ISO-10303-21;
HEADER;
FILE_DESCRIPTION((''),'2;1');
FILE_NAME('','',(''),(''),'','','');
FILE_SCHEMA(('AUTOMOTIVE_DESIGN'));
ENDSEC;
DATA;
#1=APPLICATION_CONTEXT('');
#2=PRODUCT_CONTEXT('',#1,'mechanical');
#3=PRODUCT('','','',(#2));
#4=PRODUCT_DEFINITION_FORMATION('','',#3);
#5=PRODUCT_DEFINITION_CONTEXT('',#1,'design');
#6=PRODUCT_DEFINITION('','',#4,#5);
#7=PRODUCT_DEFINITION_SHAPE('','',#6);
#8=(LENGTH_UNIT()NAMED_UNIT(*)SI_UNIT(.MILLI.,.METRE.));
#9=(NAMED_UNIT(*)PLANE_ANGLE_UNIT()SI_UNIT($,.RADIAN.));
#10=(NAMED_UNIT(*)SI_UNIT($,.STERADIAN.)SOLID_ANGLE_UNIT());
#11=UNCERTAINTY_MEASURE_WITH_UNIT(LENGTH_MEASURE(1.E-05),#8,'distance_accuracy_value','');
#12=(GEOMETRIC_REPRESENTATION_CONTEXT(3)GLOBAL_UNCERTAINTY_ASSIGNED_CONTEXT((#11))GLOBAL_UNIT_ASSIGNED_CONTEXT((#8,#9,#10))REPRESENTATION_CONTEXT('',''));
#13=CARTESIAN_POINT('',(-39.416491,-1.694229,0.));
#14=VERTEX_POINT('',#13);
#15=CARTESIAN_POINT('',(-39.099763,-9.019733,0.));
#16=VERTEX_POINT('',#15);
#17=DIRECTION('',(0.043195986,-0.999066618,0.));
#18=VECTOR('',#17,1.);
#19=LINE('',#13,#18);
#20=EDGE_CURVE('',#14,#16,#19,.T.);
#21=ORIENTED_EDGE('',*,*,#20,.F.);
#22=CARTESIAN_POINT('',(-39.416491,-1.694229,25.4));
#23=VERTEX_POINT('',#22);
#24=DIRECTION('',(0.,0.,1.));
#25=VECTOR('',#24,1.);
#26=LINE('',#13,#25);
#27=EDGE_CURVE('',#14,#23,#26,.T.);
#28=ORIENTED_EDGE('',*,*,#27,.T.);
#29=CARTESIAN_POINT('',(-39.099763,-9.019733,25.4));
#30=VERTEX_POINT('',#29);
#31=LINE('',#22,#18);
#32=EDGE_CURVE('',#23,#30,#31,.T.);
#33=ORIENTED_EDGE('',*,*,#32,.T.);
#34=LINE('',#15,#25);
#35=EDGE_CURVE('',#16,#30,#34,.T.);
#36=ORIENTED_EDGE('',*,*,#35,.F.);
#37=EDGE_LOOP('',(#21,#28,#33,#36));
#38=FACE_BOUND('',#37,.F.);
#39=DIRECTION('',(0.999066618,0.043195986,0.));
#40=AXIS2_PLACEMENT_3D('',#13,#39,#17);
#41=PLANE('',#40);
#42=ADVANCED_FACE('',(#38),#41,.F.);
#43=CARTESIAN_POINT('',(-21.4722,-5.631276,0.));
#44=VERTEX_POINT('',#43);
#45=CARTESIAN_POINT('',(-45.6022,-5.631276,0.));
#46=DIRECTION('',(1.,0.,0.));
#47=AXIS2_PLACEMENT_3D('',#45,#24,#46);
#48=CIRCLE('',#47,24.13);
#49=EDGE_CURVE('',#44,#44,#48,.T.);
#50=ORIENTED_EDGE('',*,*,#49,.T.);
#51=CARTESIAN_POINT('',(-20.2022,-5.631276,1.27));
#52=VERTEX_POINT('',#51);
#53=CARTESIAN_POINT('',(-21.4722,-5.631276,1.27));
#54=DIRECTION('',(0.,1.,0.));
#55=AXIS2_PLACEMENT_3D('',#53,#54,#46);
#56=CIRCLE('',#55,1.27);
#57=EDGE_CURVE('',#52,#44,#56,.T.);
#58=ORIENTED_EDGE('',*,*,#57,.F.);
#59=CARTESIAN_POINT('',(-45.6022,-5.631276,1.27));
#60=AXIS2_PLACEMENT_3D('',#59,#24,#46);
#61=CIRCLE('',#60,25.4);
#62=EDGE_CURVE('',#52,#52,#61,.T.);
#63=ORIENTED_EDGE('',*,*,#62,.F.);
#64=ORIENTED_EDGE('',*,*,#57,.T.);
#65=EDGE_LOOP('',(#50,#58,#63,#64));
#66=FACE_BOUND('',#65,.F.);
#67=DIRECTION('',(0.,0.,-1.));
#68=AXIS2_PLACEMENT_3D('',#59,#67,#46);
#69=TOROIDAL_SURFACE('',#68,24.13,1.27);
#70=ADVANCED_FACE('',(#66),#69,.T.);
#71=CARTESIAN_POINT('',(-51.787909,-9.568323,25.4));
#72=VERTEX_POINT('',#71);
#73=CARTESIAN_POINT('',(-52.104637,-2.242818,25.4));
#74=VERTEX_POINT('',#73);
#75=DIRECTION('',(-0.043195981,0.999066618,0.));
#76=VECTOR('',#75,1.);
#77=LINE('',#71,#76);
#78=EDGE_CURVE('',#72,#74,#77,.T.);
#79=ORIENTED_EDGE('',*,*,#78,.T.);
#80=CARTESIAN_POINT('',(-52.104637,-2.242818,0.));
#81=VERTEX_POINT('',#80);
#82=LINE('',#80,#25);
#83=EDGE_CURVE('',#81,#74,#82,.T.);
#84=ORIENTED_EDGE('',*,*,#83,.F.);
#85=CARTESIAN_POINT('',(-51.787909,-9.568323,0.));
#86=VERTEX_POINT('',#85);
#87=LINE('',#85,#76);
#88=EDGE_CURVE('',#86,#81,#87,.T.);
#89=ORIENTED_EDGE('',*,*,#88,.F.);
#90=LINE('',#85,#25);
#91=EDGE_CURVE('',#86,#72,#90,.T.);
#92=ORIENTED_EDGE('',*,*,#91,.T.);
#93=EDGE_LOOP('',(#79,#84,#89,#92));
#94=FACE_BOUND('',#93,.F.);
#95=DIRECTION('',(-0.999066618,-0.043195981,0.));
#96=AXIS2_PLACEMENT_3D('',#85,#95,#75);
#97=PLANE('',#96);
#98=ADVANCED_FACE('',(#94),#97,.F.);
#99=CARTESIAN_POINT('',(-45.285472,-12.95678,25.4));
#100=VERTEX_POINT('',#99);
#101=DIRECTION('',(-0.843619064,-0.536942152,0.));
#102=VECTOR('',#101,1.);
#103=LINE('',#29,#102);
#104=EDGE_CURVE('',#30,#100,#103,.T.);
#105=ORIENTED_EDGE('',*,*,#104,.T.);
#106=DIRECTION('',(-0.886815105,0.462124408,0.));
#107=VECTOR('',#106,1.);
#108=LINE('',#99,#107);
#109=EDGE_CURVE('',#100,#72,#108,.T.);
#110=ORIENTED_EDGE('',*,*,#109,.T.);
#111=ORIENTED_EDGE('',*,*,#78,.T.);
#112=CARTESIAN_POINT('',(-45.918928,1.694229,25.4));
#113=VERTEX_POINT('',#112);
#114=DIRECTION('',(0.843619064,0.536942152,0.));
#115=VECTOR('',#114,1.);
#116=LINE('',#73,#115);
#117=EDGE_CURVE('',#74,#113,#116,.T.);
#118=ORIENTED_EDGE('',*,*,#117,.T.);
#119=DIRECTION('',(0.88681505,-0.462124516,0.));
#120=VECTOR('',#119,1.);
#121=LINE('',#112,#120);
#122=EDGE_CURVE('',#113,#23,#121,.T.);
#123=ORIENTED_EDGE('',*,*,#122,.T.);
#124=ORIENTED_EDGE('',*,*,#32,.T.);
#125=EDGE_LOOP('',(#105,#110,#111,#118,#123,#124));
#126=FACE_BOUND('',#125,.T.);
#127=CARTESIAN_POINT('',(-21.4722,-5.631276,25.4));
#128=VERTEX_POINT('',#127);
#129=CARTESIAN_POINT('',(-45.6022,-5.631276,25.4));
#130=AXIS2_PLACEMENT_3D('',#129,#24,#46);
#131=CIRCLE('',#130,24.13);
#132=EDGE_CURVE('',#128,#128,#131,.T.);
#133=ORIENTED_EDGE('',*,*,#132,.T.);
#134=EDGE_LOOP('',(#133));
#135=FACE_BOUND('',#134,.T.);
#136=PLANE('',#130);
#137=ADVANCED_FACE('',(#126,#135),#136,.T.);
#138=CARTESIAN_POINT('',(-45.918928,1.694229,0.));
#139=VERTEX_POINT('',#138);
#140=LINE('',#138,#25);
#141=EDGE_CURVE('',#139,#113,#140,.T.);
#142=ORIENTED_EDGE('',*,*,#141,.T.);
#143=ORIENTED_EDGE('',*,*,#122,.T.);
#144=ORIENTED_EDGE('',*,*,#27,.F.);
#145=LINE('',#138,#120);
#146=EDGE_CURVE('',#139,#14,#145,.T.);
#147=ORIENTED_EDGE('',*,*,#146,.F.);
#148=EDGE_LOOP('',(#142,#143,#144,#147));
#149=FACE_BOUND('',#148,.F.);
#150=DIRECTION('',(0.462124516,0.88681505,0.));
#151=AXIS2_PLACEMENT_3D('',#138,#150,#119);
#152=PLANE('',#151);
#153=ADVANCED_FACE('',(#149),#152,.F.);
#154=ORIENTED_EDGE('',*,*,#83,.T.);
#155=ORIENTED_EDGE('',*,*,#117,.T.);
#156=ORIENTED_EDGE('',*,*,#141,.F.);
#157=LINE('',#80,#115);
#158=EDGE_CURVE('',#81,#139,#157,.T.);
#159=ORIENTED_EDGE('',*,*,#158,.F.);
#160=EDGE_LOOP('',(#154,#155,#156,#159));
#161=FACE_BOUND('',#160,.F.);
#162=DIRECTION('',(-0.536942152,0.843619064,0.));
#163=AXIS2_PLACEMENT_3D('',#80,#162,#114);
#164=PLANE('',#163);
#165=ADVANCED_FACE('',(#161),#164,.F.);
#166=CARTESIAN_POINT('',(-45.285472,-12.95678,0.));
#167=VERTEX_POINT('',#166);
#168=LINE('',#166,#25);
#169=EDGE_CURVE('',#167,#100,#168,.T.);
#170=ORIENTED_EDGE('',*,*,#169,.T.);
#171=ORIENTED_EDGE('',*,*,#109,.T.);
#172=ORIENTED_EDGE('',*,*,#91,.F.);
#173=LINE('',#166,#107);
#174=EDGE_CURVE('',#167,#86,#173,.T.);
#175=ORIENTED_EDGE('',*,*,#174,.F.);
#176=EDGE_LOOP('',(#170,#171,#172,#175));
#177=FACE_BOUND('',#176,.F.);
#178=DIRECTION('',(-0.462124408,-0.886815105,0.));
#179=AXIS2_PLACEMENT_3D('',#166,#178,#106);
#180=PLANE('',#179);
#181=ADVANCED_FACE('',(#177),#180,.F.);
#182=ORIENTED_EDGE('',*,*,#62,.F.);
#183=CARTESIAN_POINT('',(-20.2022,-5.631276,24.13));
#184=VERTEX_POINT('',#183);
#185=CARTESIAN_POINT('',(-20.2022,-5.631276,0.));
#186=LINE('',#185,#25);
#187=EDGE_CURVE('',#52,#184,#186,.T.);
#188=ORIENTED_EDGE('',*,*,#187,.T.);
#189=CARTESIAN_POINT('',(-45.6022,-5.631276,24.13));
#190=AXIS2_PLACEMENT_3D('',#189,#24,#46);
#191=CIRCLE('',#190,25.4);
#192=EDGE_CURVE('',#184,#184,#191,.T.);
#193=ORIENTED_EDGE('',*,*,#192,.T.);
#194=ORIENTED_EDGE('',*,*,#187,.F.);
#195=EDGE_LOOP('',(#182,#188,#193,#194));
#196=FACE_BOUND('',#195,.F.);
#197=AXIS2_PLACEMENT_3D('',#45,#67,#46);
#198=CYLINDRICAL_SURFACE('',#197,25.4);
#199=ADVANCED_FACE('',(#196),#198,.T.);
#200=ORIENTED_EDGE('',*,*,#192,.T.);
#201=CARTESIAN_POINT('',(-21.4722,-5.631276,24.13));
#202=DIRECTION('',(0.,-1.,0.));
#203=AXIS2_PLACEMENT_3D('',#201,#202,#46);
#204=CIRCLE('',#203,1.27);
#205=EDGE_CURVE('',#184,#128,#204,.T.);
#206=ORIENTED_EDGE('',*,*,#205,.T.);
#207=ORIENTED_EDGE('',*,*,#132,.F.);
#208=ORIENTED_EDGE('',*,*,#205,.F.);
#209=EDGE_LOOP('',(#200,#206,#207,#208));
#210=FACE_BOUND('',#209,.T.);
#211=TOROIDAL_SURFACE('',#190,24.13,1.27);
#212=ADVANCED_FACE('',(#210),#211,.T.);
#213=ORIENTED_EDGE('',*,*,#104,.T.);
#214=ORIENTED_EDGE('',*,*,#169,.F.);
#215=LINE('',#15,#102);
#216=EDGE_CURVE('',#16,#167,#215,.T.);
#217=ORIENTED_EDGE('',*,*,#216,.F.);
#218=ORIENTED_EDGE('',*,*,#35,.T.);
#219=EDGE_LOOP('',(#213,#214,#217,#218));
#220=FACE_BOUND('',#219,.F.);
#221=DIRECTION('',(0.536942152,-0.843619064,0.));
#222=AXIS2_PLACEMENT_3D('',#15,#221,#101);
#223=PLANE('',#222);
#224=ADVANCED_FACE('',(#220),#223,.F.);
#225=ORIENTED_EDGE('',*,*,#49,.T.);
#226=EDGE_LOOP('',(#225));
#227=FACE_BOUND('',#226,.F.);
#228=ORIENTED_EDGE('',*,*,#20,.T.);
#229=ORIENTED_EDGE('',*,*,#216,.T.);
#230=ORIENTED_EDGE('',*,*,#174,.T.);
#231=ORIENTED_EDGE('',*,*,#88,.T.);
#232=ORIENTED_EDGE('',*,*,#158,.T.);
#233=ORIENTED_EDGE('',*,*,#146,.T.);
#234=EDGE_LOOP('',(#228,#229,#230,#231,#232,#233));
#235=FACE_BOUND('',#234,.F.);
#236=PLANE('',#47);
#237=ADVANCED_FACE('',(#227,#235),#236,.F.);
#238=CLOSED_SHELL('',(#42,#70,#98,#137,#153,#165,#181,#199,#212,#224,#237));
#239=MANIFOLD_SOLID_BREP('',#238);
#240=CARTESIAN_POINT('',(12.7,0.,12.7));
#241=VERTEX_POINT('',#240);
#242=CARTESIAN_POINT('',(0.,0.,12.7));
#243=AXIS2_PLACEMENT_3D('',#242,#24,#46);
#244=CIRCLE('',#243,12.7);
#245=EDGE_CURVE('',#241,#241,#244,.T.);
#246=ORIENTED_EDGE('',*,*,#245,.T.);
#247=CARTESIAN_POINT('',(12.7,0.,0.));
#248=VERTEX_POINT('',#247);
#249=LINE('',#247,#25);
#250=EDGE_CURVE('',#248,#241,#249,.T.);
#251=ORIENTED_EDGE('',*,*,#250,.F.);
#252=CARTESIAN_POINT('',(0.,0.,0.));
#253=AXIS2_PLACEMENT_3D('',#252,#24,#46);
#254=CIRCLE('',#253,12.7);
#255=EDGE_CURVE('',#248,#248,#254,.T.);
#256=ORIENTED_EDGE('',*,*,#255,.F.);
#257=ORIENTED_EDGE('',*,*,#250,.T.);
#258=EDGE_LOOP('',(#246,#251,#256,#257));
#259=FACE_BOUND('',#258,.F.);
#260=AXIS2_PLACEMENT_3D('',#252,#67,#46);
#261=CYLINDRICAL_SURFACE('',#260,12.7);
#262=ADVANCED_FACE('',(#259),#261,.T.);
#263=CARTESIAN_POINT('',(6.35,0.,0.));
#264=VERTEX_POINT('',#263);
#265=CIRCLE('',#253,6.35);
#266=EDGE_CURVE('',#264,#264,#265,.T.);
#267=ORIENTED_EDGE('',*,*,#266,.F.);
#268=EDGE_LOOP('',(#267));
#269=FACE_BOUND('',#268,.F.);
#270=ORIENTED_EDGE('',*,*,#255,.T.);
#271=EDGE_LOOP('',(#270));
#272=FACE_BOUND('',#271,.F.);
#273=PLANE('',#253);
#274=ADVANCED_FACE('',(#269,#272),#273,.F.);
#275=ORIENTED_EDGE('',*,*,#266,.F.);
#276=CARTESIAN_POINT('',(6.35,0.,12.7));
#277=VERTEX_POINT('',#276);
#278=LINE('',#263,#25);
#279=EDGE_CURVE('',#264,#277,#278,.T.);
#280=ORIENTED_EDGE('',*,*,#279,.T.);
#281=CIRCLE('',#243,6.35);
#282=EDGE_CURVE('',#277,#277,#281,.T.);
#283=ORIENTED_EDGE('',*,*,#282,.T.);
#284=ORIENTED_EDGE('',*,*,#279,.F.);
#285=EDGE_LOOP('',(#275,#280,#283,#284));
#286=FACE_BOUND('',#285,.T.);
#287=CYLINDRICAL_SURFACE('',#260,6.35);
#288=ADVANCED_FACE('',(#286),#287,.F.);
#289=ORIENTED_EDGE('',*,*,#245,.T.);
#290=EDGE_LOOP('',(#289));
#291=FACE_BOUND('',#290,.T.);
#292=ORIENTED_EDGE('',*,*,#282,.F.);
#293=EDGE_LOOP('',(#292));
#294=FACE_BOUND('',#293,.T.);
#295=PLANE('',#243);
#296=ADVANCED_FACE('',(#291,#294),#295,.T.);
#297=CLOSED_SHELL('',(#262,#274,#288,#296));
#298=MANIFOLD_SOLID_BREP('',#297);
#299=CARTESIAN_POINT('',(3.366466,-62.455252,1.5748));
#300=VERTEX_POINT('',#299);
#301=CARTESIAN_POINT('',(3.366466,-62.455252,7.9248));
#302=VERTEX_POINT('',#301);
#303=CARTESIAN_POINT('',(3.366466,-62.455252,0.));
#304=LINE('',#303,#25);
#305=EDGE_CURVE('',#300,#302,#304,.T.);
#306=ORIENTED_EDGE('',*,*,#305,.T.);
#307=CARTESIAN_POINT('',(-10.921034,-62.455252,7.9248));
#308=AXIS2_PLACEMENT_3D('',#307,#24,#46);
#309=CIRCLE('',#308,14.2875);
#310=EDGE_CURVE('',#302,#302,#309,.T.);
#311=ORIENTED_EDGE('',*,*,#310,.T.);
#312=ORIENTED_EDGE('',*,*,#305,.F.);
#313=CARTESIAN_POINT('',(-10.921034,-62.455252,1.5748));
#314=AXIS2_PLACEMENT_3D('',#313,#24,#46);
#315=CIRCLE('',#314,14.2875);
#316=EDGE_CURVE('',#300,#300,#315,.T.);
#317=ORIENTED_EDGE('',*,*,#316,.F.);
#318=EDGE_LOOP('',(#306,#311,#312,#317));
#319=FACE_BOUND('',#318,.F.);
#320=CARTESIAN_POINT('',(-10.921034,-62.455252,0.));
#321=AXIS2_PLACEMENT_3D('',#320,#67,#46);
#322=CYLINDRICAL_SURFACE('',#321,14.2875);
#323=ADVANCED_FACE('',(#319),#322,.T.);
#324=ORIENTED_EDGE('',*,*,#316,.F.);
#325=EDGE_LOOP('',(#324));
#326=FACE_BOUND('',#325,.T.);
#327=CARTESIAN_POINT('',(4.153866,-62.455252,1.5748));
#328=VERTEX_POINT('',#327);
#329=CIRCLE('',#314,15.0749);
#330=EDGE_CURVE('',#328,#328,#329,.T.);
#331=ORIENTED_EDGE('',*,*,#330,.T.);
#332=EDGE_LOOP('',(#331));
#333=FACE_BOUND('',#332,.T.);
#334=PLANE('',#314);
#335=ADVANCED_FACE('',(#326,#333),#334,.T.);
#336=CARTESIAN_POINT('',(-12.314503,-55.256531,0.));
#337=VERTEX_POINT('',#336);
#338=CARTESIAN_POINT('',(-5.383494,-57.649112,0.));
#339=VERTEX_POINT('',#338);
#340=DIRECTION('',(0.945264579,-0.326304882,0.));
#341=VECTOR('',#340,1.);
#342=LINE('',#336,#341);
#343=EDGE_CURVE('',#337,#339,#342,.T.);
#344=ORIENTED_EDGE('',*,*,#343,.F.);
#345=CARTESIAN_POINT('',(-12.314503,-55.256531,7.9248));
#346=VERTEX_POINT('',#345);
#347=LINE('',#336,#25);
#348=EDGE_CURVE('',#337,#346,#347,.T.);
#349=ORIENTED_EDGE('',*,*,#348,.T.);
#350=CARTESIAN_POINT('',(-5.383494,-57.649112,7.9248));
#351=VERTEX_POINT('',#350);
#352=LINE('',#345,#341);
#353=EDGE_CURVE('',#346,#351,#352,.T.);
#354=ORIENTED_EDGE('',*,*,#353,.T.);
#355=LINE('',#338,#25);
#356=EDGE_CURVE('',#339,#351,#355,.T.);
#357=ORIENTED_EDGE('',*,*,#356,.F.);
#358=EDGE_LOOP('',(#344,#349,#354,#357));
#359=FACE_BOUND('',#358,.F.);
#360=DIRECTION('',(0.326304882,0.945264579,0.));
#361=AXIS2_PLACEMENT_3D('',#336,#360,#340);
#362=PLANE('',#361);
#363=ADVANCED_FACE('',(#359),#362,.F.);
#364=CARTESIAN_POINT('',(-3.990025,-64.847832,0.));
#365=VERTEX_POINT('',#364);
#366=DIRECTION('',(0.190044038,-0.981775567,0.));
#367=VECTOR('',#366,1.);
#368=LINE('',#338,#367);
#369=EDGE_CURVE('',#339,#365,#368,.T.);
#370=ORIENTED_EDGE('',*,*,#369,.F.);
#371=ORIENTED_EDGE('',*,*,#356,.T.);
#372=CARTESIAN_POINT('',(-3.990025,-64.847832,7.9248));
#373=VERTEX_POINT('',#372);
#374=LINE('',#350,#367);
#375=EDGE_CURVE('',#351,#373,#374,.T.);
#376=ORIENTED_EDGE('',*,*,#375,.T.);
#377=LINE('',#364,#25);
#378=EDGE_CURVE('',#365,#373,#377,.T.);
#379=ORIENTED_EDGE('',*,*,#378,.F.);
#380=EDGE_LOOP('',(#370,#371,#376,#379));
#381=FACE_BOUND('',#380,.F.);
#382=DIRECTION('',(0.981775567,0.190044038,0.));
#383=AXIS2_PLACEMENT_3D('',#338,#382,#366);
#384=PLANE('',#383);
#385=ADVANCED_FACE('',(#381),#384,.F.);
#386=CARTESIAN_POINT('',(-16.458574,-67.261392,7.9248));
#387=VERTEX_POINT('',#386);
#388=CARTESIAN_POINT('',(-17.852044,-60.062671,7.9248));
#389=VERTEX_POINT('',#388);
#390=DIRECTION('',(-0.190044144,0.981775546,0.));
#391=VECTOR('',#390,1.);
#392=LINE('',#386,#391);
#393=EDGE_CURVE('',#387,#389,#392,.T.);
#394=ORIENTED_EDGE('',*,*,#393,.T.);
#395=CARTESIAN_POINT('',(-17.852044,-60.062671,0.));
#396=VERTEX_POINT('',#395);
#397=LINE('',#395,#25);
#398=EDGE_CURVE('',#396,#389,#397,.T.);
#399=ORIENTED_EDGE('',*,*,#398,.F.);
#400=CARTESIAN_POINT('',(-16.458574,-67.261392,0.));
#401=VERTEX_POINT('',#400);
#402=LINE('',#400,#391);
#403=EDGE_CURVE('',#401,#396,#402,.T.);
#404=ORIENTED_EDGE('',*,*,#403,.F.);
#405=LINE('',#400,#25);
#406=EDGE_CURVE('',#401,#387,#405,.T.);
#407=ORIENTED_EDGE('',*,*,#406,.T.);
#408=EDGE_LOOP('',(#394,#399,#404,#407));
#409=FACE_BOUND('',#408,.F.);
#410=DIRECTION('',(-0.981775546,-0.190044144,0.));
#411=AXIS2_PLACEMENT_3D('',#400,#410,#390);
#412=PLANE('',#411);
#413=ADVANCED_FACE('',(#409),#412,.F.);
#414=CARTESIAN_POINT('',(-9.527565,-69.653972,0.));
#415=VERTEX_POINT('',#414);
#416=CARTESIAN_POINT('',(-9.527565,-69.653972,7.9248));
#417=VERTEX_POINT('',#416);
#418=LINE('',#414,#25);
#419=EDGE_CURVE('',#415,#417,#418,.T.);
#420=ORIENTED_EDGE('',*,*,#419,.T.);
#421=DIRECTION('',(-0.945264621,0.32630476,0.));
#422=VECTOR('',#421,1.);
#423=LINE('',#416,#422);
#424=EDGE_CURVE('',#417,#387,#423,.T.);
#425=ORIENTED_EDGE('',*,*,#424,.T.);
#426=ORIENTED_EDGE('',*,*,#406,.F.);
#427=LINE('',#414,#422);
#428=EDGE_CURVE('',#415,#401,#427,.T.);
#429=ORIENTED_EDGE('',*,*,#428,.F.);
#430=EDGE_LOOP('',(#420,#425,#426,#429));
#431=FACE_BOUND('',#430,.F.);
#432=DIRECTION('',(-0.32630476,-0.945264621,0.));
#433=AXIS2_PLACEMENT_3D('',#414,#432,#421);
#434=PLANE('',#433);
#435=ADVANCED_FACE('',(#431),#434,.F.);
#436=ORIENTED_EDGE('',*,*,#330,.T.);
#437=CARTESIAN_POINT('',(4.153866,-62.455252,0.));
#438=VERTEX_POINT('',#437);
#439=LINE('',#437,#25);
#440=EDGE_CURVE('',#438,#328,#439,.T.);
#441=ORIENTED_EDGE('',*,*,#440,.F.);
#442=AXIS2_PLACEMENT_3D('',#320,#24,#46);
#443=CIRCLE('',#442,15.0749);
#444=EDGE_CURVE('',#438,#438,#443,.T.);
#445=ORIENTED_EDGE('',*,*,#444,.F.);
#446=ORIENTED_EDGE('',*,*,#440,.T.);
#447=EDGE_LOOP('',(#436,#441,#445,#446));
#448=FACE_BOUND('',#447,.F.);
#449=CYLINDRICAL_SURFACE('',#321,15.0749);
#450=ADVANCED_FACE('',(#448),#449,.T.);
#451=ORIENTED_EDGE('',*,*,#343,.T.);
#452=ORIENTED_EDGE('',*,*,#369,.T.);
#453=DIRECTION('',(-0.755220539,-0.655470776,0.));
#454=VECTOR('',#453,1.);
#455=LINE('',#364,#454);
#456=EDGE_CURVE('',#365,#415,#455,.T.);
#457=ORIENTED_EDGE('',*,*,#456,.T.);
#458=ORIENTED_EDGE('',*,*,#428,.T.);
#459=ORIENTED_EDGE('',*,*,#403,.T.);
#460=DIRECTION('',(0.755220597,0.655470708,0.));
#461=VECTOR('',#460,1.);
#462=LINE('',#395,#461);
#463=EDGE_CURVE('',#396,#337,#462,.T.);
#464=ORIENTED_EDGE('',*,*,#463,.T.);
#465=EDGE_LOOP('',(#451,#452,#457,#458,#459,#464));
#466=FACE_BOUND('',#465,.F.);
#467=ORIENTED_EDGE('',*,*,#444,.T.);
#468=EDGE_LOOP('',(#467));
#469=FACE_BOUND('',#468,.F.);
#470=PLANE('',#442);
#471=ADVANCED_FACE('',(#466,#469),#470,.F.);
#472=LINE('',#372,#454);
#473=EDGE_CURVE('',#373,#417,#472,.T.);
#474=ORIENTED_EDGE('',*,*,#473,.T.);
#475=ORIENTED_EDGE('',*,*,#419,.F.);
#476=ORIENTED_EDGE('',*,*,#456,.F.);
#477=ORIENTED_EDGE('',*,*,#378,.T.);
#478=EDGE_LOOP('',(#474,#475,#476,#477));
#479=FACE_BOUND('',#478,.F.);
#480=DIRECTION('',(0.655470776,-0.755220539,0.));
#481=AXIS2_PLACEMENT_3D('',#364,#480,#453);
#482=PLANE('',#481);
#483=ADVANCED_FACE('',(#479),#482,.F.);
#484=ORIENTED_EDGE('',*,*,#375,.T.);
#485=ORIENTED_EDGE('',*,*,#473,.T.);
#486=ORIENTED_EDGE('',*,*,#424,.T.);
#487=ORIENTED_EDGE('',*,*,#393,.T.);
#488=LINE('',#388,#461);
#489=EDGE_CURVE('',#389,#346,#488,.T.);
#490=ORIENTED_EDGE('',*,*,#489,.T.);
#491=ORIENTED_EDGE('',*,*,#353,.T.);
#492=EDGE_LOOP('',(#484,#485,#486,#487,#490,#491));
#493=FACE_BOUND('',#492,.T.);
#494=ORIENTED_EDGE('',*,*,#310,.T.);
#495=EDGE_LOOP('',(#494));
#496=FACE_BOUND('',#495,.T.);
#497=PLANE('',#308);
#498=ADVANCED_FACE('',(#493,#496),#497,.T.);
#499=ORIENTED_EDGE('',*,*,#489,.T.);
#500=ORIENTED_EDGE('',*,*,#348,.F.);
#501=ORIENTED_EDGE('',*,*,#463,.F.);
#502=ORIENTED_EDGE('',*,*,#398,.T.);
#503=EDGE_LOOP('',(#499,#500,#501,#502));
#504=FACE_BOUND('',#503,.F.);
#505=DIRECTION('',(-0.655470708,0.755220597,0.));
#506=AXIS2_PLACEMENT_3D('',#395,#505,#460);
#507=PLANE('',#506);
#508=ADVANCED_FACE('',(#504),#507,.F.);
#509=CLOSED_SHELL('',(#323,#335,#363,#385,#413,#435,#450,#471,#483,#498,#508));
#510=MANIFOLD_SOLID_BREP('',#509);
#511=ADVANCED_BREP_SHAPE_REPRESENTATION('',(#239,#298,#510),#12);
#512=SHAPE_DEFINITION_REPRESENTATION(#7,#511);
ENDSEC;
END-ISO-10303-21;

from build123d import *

# Parameters (mm, degrees)
F0_R     = 12.7
F0_R_2   = 6.35
F1_DEPTH = 12.7
F2_R     = 25.4
F3_DEPTH = 25.4
F4_R     = 1.27
F5_R     = 14.2875
F6_DEPTH = 7.9248
F5_R_2   = 15.0749
F7_DEPTH = 1.5748


with BuildPart() as f1:
    # F0 (on Top) → F1 (new body)
    with BuildSketch(Plane.XY):
        Circle(F0_R)
        Circle(F0_R_2, mode=Mode.SUBTRACT)
    extrude(amount=F1_DEPTH)


with BuildPart() as f3:
    # F2 (on Top) → F3 (new body)
    with BuildSketch(Plane.XY):
        with Locations((-45.6022, -5.631276)):
            Circle(F2_R)
        Polygon((-52.104637, -2.242818), (-45.918928, 1.694229), (-39.416491, -1.694229), (-39.099763, -9.019733), (-45.285472, -12.95678), (-51.787909, -9.568323), align=None, mode=Mode.SUBTRACT)
    extrude(amount=F3_DEPTH)

    # F4
    f4_edges = [f3.edges().sort_by_distance(p)[0] for p in [
        (-71.0022, -5.631276, 25.4),
        (-71.0022, -5.631276, 0),
    ]]
    fillet(f4_edges, radius=F4_R)


with BuildPart() as f6:
    # F5 (on Top) → F6 (new body)
    with BuildSketch(Plane.XY):
        with Locations((-10.921034, -62.455252)):
            Circle(F5_R)
        Polygon((-17.852044, -60.062671), (-12.314503, -55.256531), (-5.383494, -57.649112), (-3.990025, -64.847832), (-9.527565, -69.653972), (-16.458574, -67.261392), align=None, mode=Mode.SUBTRACT)
    extrude(amount=F6_DEPTH)

    # F5 (on Top) → F7 (join)
    with BuildSketch(Plane.XY):
        with Locations((-10.921034, -62.455252)):
            Circle(F5_R_2)
        with Locations((-10.921034, -62.455252)):
            Circle(F5_R, mode=Mode.SUBTRACT)
    extrude(amount=F7_DEPTH)


solid = Compound([f1.part, f3.part, f6.part])
